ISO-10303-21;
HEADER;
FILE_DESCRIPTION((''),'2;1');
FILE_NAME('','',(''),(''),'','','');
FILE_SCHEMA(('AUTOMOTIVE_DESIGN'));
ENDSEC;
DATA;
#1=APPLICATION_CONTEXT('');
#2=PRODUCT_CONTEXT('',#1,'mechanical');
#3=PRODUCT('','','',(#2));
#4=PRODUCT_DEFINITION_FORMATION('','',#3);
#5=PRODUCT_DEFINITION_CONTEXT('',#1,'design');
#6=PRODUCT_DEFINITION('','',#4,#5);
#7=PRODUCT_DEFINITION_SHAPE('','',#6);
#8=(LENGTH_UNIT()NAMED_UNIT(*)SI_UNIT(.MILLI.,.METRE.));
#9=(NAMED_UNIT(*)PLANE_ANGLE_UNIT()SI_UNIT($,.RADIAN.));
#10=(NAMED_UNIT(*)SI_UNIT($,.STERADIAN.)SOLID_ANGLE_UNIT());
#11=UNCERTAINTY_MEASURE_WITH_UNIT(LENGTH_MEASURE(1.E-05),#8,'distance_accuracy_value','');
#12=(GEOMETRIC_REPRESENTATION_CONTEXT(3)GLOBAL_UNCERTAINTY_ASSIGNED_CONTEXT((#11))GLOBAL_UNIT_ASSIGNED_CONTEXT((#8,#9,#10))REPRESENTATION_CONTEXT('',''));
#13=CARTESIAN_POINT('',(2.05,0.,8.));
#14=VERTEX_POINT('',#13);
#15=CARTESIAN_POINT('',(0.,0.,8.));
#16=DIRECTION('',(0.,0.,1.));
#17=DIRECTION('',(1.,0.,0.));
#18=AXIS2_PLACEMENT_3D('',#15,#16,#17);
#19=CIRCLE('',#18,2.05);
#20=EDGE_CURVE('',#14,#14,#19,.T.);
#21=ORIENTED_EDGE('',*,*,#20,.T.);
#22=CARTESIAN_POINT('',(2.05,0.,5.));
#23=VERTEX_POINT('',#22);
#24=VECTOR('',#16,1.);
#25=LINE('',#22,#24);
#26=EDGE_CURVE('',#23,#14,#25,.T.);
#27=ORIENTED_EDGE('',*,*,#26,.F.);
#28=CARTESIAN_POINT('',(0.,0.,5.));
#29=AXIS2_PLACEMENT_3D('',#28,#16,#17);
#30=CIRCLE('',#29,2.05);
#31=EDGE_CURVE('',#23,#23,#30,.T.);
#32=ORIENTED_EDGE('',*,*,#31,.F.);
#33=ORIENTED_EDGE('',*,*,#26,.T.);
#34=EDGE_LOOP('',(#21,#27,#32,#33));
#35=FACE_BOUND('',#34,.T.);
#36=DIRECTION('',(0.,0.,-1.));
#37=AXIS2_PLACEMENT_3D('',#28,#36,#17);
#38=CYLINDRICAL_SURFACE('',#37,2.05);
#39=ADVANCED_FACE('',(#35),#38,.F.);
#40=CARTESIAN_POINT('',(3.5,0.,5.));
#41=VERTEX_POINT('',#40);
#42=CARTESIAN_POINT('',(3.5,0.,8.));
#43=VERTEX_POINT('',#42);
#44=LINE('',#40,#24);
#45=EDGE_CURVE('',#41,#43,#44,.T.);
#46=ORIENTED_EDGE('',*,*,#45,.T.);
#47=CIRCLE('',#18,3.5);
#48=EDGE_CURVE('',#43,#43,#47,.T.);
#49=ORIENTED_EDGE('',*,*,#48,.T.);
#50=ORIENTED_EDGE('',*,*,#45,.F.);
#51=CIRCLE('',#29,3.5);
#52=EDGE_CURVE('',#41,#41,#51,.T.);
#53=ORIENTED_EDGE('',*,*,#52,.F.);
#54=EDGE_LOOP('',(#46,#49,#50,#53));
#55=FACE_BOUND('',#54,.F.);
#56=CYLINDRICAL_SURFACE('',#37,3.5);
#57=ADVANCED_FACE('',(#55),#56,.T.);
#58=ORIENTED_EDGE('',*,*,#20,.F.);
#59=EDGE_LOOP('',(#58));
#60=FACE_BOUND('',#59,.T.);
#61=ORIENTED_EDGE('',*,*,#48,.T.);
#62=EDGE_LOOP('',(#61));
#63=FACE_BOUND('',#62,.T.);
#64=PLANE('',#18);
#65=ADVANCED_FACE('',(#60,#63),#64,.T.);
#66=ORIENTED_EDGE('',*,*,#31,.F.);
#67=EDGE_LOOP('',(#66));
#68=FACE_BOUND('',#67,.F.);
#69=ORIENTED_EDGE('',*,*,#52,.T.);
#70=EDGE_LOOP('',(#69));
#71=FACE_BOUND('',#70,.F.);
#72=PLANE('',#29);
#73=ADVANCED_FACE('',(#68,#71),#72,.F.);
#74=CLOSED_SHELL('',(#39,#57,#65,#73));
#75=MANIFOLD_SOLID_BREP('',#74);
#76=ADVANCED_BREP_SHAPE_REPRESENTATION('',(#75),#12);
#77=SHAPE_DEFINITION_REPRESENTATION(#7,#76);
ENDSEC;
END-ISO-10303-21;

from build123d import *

# Parameters (mm, degrees)
SKETCH_R   = 3.5
SKETCH_R_2 = 2.05
PAD_DEPTH  = 3


with BuildPart() as part:
    # Sketch → Pad (new body)
    with BuildSketch(Plane.XY.offset(5)):
        Circle(SKETCH_R)
        Circle(SKETCH_R_2, mode=Mode.SUBTRACT)
    extrude(amount=PAD_DEPTH)


solid = part.part
